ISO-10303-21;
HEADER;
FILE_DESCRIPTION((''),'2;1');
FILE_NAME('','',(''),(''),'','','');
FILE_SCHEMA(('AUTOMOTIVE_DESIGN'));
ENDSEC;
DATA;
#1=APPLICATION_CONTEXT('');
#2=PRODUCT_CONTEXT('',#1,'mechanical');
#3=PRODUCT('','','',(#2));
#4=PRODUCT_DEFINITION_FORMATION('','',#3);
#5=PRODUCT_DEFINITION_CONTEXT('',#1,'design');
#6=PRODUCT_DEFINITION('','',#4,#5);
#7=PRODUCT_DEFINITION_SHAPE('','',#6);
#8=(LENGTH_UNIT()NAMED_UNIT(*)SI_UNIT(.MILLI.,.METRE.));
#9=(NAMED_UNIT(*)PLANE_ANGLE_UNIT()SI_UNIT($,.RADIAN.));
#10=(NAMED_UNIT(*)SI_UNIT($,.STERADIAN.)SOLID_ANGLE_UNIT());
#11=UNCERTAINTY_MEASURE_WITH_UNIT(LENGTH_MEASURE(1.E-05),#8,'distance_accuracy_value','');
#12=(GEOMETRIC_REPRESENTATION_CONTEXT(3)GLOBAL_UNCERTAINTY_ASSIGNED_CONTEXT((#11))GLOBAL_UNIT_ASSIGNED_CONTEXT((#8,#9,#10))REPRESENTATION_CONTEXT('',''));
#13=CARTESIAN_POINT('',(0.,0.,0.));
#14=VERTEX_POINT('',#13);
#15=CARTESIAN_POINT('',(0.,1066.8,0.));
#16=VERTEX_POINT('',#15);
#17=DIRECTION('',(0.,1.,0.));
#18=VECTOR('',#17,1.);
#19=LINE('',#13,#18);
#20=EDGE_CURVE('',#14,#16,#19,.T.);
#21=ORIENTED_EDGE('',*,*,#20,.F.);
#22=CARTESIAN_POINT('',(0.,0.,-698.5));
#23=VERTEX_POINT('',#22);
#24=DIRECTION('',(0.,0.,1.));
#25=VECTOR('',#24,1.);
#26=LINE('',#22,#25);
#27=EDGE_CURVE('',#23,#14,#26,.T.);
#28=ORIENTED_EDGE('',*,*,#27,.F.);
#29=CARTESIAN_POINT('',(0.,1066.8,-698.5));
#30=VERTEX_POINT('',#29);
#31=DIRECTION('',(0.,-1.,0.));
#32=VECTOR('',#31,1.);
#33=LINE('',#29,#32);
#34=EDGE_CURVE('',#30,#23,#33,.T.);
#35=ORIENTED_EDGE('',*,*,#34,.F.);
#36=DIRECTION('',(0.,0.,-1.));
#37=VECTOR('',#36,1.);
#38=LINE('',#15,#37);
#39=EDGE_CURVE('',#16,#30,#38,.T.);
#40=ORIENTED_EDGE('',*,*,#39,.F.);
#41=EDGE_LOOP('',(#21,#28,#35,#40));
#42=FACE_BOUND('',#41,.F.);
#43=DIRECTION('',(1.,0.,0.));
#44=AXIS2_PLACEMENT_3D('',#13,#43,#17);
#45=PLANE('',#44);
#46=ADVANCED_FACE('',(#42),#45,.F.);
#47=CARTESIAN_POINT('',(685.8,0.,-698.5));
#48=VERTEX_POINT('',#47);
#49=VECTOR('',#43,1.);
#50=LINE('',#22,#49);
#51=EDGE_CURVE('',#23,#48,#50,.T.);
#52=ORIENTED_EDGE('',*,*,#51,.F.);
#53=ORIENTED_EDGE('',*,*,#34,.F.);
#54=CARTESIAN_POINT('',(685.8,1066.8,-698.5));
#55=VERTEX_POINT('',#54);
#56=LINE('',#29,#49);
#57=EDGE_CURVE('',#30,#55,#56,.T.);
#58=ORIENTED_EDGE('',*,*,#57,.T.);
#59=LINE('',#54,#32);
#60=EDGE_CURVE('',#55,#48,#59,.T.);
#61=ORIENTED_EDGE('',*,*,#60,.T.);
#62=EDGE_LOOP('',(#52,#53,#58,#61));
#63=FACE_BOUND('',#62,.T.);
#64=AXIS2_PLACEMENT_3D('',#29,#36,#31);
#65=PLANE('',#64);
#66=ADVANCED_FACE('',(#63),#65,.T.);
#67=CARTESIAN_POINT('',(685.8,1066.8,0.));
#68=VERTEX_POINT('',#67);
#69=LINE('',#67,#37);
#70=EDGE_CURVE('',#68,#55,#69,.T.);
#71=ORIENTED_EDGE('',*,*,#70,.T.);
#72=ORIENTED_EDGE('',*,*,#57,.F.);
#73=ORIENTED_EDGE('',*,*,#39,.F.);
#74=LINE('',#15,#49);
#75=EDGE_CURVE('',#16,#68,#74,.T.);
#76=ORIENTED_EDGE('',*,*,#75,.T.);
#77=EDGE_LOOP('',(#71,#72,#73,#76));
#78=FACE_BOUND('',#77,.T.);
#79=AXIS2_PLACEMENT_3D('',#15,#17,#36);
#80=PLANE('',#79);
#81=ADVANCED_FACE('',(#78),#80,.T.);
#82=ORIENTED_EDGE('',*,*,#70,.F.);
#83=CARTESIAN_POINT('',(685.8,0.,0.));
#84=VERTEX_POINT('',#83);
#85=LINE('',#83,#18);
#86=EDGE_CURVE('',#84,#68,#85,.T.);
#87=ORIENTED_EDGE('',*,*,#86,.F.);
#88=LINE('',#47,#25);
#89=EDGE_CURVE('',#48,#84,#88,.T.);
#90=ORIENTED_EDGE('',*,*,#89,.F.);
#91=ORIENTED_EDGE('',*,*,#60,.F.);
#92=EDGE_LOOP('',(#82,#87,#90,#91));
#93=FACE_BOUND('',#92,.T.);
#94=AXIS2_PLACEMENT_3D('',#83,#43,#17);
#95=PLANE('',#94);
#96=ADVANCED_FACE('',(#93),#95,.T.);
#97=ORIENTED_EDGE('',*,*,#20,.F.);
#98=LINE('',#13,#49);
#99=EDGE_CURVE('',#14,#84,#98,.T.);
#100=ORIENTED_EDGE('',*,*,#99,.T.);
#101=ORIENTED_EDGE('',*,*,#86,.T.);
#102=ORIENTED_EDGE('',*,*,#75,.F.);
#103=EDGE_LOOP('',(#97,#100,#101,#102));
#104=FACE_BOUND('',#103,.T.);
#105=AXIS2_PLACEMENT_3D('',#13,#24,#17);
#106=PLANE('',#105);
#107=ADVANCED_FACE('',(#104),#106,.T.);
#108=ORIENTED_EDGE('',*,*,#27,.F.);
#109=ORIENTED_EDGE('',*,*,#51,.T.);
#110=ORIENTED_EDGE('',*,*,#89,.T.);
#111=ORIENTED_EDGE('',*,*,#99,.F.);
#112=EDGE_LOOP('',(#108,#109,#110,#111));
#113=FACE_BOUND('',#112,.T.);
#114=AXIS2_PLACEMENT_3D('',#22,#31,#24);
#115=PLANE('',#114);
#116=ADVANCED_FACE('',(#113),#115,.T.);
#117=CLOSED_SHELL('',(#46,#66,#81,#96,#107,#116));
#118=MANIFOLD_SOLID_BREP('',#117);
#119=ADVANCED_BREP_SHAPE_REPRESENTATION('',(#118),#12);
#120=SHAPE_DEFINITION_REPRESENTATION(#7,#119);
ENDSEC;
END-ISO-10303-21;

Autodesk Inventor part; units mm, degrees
ref_plane "YZ Plane" through (0, 0, 0) normal (1, 0, 0) x (0, 1, 0)
ref_plane "XZ Plane" through (0, 0, 0) normal (0, 1, 0) x (-1, 0, 0)
ref_plane "XY Plane" through (0, 0, 0) normal (0, 0, 1) x (1, 0, 0)
sketch "Sketch1" plane through (0, 0, 0) normal (1, 0, 0) x (0, 1, 0)
  line L0 (0, 0) -> (1066.8, 0)
  line L1 (1066.8, 0) -> (1066.8, -698.5)
  line L2 (1066.8, -698.5) -> (0, -698.5)
  line L3 (0, -698.5) -> (0, 0)
  dimension "d2" = 698.5
  dimension "d3" = 1066.8
extrude "Extrusion1" add sketch "Sketch1" along normal blind 685.8
properties part number "Washer" material "Steel"
